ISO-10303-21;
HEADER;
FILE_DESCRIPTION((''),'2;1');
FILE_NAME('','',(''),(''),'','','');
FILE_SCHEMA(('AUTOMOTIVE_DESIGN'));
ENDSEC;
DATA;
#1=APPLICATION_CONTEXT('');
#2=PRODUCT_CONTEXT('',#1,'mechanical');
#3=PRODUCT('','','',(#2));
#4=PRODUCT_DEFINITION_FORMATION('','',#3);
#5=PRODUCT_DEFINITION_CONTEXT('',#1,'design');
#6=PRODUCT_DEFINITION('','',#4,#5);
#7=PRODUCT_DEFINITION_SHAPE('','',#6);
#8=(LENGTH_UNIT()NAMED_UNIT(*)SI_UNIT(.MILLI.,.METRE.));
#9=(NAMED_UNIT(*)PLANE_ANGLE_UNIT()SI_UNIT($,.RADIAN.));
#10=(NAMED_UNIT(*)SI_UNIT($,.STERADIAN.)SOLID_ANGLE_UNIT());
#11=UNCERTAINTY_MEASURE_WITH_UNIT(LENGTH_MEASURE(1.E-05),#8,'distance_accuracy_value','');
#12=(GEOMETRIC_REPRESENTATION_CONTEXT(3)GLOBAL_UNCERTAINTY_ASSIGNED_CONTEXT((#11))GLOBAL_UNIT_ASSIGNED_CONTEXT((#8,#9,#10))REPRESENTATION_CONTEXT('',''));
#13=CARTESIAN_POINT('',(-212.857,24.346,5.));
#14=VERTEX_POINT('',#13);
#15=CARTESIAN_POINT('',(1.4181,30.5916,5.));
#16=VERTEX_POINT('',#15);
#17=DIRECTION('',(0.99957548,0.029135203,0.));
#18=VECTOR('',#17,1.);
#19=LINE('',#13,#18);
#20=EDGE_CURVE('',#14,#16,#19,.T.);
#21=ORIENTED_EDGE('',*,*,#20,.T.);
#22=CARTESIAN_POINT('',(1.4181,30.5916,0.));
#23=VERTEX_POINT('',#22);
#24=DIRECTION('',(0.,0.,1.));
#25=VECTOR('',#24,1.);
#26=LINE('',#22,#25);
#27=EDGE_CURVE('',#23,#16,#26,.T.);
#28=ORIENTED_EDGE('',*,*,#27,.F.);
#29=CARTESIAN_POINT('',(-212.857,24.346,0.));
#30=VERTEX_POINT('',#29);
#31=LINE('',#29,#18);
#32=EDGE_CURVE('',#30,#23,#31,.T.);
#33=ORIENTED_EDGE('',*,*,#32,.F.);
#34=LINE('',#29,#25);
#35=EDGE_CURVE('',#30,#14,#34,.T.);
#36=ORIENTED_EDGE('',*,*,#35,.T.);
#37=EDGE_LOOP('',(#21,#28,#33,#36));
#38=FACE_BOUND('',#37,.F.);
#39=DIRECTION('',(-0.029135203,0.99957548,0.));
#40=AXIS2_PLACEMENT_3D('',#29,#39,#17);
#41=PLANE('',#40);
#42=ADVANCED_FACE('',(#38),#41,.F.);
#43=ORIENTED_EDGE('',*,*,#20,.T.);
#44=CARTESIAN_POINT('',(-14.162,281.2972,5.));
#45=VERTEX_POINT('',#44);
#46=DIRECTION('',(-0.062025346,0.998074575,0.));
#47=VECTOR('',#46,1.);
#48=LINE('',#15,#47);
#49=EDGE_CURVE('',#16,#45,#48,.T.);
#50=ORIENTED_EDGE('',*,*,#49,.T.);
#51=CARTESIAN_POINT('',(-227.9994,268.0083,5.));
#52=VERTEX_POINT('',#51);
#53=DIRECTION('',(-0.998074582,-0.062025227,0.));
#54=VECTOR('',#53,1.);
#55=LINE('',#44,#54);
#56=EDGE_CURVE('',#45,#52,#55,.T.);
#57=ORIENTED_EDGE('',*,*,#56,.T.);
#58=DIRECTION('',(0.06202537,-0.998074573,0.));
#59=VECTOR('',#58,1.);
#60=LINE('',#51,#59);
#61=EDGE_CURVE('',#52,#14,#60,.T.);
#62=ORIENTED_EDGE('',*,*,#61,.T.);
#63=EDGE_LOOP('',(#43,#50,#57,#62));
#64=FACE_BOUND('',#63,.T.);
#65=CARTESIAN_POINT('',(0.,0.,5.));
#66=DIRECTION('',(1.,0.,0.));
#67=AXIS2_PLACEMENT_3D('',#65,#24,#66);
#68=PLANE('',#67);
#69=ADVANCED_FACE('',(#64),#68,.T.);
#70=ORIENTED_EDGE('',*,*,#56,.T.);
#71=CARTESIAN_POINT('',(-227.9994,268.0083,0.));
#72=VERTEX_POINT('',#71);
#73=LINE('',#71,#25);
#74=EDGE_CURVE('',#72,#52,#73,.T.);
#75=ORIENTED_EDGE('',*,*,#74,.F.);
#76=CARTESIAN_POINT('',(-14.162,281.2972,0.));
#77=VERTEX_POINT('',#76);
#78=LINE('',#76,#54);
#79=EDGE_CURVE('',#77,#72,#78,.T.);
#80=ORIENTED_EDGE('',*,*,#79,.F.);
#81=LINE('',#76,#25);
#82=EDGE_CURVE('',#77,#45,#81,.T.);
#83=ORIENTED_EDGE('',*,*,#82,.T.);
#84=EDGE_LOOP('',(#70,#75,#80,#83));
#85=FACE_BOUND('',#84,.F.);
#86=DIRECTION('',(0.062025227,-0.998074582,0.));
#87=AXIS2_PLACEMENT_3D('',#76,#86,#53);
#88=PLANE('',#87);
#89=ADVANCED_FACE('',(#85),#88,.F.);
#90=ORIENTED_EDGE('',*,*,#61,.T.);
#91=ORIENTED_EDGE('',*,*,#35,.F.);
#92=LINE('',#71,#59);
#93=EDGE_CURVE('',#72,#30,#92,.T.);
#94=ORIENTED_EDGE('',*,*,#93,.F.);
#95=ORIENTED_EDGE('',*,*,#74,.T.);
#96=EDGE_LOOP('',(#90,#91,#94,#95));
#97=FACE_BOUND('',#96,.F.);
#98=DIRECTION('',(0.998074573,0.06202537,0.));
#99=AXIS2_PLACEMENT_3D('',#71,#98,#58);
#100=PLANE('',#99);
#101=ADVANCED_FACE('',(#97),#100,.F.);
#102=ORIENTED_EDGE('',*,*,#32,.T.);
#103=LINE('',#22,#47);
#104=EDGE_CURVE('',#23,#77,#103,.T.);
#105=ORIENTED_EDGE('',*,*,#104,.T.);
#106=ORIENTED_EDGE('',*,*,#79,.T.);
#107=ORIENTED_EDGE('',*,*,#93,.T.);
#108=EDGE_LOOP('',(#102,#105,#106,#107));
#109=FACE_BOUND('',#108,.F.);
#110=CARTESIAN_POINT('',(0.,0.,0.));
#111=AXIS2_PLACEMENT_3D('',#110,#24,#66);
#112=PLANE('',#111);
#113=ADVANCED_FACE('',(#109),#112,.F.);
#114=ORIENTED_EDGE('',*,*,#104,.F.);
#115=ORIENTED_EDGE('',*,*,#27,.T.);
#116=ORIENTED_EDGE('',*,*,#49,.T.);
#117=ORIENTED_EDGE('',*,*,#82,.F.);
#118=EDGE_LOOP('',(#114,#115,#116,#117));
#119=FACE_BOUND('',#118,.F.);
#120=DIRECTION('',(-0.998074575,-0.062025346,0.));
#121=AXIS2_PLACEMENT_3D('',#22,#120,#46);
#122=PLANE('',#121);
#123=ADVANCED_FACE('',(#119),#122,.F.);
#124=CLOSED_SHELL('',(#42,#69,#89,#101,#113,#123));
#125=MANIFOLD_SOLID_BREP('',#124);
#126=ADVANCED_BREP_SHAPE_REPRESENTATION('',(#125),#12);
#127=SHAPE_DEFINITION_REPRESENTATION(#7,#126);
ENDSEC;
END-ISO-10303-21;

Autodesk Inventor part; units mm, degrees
ref_plane "YZ Plane" through (0, 0, 0) normal (1, 0, 0) x (0, 1, 0)
ref_plane "XZ Plane" through (0, 0, 0) normal (0, 1, 0) x (-1, 0, 0)
ref_plane "XY Plane" through (0, 0, 0) normal (0, 0, 1) x (1, 0, 0)
sketch "Sketch1" plane through (0, 0, 0) normal (0, 0, 1) x (1, 0, 0)
  line L0 (-14.162, 281.2972) -> (-227.9994, 268.0083)
  line L1 (-227.9994, 268.0083) -> (-212.857, 24.346)
  line L2 (-212.857, 24.346) -> (1.4181, 30.5916)
  line L3 (1.4181, 30.5916) -> (-14.162, 281.2972)
  line L4 (-1.2433, 41.1726) -> (-15.9388, 277.6436) construction
  point P0 (0, 0)
  dimension "d6" = 2
extrude "Extrusion1" add sketch "Sketch1" along normal blind 5
properties part number "lid2" material "Polycarbonate, Clear"
